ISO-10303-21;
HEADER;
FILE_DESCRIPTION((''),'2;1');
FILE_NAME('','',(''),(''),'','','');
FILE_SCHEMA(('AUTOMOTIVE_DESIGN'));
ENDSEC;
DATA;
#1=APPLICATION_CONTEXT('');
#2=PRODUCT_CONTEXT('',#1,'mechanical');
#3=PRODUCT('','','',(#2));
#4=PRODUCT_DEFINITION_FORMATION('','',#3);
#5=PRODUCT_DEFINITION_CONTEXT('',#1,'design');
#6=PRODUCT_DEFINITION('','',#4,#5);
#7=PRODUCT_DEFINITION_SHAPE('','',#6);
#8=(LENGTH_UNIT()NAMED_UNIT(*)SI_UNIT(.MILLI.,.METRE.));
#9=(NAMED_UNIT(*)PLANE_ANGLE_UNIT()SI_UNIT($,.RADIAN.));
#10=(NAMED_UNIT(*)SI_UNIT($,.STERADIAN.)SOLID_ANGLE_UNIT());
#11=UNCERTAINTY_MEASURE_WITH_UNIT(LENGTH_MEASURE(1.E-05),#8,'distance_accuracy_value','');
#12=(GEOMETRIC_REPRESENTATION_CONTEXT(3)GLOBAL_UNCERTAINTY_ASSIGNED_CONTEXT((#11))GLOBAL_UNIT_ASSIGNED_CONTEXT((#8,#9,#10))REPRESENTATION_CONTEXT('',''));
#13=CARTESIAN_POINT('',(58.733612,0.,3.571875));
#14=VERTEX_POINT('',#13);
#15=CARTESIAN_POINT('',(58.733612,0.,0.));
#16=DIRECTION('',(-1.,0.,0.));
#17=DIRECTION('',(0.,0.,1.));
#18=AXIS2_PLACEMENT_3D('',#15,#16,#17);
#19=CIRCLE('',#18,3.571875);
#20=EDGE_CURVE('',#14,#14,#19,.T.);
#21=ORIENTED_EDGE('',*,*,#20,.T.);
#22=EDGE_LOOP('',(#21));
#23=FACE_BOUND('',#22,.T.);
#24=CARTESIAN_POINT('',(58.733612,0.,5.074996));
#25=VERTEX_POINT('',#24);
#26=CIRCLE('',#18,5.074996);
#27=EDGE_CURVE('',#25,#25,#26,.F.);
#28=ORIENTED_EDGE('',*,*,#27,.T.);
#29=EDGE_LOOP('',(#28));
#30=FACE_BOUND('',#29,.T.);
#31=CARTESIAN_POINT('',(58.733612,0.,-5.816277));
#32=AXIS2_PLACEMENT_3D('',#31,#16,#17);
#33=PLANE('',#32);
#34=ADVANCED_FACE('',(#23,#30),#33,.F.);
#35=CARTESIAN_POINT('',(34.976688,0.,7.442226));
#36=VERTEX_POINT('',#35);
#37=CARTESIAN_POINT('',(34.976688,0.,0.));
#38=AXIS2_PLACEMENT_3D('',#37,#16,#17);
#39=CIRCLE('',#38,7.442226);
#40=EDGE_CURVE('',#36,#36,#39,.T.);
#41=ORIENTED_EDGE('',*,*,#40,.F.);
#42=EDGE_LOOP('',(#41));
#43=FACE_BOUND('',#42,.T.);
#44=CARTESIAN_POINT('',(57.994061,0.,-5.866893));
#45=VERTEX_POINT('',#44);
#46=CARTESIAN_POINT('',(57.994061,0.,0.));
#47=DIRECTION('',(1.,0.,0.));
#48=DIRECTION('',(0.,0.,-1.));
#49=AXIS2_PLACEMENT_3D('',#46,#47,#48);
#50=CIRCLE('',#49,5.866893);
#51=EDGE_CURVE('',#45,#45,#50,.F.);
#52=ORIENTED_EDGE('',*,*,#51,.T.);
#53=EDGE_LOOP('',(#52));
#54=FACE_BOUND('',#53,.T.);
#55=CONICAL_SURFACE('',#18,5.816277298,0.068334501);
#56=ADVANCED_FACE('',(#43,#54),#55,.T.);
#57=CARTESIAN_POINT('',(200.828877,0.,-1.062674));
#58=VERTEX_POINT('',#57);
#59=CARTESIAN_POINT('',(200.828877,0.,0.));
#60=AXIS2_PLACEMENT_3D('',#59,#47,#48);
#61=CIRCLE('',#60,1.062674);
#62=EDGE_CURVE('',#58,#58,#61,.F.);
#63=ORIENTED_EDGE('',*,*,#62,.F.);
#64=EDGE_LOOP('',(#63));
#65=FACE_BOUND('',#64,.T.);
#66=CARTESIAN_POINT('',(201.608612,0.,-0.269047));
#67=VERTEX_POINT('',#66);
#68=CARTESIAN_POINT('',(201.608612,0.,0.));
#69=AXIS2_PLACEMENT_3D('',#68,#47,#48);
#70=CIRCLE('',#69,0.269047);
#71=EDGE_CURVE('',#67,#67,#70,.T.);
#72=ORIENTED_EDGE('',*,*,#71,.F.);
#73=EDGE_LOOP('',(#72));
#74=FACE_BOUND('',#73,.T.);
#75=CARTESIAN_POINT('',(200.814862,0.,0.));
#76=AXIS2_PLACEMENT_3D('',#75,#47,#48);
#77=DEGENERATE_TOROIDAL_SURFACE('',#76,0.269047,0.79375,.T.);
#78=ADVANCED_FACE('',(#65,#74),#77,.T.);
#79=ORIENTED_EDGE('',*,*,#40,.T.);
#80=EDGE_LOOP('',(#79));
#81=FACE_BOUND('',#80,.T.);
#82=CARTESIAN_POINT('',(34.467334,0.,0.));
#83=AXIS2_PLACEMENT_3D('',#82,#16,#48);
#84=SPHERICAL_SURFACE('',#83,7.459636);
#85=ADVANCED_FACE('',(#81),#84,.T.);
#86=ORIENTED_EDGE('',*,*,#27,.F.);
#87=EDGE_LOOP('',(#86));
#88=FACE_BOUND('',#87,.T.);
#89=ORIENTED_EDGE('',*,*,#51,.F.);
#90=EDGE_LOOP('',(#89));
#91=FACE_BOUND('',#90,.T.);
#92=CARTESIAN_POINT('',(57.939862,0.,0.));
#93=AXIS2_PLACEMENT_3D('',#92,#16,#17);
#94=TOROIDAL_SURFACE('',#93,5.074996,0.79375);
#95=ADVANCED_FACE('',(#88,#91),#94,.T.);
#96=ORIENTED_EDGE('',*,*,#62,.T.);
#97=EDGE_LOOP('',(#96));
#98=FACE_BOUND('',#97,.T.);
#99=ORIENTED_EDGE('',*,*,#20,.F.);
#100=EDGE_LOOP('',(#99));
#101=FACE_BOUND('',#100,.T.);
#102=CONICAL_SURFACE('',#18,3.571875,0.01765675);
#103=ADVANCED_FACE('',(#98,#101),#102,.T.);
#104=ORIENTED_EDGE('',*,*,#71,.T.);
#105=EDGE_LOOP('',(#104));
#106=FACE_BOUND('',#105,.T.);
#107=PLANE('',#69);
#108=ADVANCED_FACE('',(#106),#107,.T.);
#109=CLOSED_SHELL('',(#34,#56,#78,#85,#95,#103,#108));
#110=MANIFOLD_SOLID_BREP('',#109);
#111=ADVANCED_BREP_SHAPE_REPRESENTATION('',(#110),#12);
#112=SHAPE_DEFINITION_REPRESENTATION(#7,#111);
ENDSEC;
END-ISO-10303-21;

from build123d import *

# Parameters (mm, degrees)
FILLET1_R           = 6.35
SKETCH11_R          = 28.575
BOSS_EXTRUDE2_DEPTH = 1143
FILLET2_R           = 6.35
SCALE1_SCALE        = 0.5
SCALE2_SCALE        = 0.25


with BuildPart() as part:
    # Sketch7 → Revolve4 (revolve)
    with BuildSketch(Plane(origin=(0, 0, 0), x_dir=(1, 0, 0), z_dir=(0, 1, 0))):
        with BuildLine():
            Line((-190.055393274, 59.537811837), (0, 46.530218381))
            Line((0, 46.530218381), (0, 0))
            Line((0, 0), (-253.807316321, 0))
            ThreePointArc((-253.807316321, 0), (-234.86216044, 43.61495939), (-190.055393274, 59.537811837))
        make_face()
    revolve(axis=Axis((-253.807316321, 0, 0), (1, 0, 0)))

    # Fillet1
    fillet1_edges = [part.edges().sort_by_distance(p)[0] for p in [
        (0, 0, 46.530218381),
    ]]
    fillet(fillet1_edges, radius=FILLET1_R)

    # Sketch11 → Boss-Extrude2 (add)
    with BuildSketch(Plane(origin=(0, 0, 0), x_dir=(0, 0, -1), z_dir=(1, 0, 0))):
        Circle(SKETCH11_R)
    extrude(amount=BOSS_EXTRUDE2_DEPTH)

    # Sketch12 → Cut-Revolve1 (revolve, cut)
    with BuildSketch(Plane.XY):
        Polygon((0, 28.575), (1267.855525629, 6.186465308), (456.317793315, 229.960952638), align=None)
    revolve(axis=Axis((0, 0, 0), (1, 0, 0)), mode=Mode.SUBTRACT)

    # Fillet2
    fillet2_edges = [part.edges().sort_by_distance(p)[0] for p in [
        (1143, -8.391237232, 0),
    ]]
    fillet(fillet2_edges, radius=FILLET2_R)


with BuildPart() as part_1:
    # Scale1: scaled about (67.124128352, 0, 0)
    add(part.part.scale(SCALE1_SCALE).moved(Location((33.562064176, 0, 0))))


with BuildPart() as part_2:
    # Scale2: scaled about (67.124128352, 0, 0)
    add(part_1.part.scale(SCALE2_SCALE).moved(Location((50.343096264, 0, 0))))


solid = part_2.part
